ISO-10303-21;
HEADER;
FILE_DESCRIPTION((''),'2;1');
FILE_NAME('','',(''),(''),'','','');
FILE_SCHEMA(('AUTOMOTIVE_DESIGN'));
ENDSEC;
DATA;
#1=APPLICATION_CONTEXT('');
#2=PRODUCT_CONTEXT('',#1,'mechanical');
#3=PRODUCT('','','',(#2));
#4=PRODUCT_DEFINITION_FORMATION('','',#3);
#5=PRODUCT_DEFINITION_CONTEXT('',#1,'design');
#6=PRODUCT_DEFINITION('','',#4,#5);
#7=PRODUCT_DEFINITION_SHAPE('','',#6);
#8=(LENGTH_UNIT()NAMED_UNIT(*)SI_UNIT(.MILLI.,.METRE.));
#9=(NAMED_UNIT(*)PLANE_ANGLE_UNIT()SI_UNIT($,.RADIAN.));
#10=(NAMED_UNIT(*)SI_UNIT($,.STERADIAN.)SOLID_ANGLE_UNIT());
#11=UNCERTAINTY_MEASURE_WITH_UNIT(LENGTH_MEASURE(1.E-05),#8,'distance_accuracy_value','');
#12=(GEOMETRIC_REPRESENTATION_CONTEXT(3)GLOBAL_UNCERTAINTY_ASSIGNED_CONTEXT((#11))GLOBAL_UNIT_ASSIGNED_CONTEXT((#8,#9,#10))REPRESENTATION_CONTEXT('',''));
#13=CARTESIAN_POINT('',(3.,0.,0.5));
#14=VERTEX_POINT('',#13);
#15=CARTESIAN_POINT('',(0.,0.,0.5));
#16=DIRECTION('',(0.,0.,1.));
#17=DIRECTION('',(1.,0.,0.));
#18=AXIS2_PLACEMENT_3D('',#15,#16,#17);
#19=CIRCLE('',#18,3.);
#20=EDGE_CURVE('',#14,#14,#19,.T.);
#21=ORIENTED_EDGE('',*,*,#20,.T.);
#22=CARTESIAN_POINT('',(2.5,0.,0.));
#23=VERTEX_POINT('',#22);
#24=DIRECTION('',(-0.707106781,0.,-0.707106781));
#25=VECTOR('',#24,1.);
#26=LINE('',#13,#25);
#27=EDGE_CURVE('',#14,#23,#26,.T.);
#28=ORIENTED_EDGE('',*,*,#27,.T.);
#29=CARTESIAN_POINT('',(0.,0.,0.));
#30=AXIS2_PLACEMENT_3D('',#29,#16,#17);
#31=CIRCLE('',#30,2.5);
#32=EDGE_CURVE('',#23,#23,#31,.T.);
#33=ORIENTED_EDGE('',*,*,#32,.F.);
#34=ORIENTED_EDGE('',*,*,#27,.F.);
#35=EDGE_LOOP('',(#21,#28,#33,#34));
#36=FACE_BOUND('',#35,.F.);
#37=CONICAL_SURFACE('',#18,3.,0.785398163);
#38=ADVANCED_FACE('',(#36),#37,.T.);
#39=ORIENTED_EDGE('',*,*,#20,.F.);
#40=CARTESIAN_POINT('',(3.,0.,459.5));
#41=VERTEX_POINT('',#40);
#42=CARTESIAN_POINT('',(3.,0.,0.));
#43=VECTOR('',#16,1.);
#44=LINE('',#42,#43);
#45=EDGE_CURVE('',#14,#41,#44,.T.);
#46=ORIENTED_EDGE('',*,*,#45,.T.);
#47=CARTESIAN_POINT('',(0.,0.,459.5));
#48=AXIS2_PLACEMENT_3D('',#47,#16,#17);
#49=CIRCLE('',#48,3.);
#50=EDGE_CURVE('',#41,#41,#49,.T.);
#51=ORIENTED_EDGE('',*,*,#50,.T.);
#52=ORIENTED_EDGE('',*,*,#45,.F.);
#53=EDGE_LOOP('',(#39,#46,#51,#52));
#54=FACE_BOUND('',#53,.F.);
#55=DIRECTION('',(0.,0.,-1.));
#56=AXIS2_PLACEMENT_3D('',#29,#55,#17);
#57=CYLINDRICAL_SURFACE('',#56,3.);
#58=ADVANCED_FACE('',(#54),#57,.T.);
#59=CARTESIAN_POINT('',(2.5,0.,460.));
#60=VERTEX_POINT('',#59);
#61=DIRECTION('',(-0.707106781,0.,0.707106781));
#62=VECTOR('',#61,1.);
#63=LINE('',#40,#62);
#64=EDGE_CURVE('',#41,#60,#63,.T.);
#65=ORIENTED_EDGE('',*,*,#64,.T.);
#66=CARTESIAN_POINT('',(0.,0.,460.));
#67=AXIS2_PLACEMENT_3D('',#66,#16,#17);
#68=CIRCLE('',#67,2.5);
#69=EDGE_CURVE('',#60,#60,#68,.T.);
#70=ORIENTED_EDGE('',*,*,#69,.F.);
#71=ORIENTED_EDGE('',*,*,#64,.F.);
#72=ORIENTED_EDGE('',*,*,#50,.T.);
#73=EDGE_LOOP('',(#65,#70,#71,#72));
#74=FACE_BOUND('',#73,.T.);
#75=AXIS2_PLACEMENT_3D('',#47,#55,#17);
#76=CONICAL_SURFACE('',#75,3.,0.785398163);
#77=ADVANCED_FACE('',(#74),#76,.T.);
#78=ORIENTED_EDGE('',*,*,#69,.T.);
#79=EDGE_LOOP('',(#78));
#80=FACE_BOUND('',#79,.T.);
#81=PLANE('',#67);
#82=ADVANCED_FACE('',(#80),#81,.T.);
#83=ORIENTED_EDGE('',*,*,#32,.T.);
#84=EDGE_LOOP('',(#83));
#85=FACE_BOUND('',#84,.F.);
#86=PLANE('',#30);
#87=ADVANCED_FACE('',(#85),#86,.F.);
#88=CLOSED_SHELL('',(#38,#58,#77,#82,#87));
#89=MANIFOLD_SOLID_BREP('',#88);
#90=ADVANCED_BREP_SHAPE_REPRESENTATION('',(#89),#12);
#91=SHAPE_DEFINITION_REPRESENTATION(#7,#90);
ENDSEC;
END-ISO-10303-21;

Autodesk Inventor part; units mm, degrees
ref_plane "YZ Plane" through (0, 0, 0) normal (1, 0, 0) x (0, 1, 0)
ref_plane "XZ Plane" through (0, 0, 0) normal (0, 1, 0) x (-1, 0, 0)
ref_plane "XY Plane" through (0, 0, 0) normal (0, 0, 1) x (1, 0, 0)
sketch "Sketch1" plane through (0, 0, 0) normal (0, 0, 1) x (1, 0, 0)
  circle A0 centre (0, 0) radius 3
  dimension "d0" = 6
extrude "Extrusion1" add sketch "Sketch1" along normal blind 460
chamfer "Chamfer1" distance 0.5 angle 45 1 edges at (-3, 0, 0)
chamfer "Chamfer2" distance 0.5 angle 45 1 edges at (-3, 0, 460)
properties part number "6mmx460mmSmoothRod"
